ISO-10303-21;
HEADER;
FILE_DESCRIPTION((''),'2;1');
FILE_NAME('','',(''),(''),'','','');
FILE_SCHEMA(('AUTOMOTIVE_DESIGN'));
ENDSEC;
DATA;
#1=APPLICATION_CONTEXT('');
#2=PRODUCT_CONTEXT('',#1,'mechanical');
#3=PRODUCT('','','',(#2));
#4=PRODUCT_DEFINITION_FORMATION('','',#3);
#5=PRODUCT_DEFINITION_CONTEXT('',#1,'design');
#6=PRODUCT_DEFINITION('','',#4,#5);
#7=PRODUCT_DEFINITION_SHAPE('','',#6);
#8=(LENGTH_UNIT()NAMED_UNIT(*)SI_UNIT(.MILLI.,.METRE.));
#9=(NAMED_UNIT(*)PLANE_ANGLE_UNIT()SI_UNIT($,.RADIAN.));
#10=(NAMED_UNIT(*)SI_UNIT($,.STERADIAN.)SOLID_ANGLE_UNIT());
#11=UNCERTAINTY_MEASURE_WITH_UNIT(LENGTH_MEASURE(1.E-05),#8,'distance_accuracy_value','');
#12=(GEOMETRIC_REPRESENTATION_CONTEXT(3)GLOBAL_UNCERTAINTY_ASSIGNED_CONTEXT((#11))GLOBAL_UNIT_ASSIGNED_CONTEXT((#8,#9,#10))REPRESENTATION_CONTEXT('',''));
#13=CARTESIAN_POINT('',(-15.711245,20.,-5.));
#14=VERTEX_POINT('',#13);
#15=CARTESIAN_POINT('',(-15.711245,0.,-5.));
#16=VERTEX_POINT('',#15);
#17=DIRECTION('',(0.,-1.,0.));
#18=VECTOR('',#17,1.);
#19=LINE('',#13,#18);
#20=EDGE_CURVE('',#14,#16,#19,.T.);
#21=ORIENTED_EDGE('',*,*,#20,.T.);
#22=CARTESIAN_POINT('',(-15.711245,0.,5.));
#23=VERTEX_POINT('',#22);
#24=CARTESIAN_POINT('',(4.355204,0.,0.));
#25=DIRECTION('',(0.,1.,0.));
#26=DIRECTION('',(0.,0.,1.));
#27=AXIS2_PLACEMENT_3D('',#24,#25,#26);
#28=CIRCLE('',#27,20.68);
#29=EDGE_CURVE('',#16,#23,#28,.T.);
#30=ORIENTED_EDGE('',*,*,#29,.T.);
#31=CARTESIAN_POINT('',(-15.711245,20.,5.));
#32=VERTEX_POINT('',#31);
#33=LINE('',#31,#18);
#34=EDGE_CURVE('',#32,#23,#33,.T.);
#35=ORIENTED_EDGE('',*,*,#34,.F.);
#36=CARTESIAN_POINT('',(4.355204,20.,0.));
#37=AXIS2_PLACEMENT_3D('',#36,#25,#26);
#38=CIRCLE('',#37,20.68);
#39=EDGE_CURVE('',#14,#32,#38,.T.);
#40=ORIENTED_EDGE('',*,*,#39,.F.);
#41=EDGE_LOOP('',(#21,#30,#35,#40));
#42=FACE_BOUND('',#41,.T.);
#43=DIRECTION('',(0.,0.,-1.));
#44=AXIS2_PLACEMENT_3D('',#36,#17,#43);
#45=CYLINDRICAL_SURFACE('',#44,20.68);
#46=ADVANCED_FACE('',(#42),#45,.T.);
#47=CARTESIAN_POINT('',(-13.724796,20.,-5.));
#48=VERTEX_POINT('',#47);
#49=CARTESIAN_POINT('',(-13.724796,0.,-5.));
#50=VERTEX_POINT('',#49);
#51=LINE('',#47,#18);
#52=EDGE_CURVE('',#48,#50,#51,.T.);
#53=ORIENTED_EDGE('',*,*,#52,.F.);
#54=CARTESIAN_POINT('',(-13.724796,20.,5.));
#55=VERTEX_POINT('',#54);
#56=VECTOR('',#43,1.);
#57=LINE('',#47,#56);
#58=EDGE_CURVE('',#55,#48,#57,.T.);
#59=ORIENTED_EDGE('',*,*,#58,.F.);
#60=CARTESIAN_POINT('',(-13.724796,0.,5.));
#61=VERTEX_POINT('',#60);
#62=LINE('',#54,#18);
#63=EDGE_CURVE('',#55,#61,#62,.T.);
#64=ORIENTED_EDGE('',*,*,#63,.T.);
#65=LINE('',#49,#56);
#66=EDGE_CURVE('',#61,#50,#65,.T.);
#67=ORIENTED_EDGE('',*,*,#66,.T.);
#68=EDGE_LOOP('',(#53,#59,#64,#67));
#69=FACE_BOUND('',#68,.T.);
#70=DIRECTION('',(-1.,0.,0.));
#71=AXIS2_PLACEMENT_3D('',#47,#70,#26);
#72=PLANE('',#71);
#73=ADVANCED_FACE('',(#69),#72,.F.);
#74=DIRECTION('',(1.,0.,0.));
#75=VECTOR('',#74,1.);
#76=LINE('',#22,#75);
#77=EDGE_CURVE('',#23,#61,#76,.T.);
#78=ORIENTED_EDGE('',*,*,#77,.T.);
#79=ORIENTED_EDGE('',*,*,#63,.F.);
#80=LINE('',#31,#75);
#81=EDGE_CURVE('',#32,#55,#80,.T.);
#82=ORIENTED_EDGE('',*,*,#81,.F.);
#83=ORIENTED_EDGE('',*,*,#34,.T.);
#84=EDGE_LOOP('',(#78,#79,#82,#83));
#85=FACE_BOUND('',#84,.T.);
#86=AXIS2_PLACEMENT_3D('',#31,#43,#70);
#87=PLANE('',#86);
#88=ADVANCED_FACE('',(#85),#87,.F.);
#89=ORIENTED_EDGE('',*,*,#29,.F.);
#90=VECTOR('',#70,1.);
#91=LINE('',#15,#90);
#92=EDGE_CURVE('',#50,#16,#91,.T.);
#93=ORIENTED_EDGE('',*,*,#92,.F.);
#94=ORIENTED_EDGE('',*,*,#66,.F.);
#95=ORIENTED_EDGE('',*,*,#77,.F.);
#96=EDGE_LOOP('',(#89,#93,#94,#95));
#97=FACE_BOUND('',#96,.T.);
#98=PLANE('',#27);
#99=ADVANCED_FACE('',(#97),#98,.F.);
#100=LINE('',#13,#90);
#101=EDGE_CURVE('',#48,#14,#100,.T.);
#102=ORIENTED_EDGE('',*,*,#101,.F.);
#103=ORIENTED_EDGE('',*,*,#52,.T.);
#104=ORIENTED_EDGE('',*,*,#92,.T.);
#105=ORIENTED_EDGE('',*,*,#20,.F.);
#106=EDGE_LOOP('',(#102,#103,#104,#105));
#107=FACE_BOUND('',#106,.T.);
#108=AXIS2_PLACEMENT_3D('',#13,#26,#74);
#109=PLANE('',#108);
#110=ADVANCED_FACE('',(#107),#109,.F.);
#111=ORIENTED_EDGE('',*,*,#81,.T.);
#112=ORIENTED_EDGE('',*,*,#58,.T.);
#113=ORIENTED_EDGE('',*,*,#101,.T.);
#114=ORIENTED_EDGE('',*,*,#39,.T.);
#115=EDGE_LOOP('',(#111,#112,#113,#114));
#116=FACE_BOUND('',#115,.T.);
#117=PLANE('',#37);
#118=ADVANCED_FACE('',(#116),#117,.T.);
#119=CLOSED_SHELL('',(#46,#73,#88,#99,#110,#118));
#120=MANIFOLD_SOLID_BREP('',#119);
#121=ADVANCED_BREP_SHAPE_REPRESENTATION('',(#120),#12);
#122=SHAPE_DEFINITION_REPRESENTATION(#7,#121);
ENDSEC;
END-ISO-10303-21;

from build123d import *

# Parameters (mm, degrees)
EXTRUDE_1_DEPTH = 20


with BuildPart() as part:
    # 草图1 → 凸台-拉伸1 (new body)
    with BuildSketch(Plane(origin=(0, 0, 0), x_dir=(1, 0, 0), z_dir=(0, 1, 0))):
        with BuildLine():
            Line((-15.711245276, 5), (-13.724795665, 5))
            Line((-13.724795665, 5), (-13.724795665, -5))
            Line((-13.724795665, -5), (-15.711245276, -5))
            ThreePointArc((-15.711245276, -5), (-16.324795665, 0), (-15.711245276, 5))
        make_face()
    extrude(amount=EXTRUDE_1_DEPTH)


solid = part.part
